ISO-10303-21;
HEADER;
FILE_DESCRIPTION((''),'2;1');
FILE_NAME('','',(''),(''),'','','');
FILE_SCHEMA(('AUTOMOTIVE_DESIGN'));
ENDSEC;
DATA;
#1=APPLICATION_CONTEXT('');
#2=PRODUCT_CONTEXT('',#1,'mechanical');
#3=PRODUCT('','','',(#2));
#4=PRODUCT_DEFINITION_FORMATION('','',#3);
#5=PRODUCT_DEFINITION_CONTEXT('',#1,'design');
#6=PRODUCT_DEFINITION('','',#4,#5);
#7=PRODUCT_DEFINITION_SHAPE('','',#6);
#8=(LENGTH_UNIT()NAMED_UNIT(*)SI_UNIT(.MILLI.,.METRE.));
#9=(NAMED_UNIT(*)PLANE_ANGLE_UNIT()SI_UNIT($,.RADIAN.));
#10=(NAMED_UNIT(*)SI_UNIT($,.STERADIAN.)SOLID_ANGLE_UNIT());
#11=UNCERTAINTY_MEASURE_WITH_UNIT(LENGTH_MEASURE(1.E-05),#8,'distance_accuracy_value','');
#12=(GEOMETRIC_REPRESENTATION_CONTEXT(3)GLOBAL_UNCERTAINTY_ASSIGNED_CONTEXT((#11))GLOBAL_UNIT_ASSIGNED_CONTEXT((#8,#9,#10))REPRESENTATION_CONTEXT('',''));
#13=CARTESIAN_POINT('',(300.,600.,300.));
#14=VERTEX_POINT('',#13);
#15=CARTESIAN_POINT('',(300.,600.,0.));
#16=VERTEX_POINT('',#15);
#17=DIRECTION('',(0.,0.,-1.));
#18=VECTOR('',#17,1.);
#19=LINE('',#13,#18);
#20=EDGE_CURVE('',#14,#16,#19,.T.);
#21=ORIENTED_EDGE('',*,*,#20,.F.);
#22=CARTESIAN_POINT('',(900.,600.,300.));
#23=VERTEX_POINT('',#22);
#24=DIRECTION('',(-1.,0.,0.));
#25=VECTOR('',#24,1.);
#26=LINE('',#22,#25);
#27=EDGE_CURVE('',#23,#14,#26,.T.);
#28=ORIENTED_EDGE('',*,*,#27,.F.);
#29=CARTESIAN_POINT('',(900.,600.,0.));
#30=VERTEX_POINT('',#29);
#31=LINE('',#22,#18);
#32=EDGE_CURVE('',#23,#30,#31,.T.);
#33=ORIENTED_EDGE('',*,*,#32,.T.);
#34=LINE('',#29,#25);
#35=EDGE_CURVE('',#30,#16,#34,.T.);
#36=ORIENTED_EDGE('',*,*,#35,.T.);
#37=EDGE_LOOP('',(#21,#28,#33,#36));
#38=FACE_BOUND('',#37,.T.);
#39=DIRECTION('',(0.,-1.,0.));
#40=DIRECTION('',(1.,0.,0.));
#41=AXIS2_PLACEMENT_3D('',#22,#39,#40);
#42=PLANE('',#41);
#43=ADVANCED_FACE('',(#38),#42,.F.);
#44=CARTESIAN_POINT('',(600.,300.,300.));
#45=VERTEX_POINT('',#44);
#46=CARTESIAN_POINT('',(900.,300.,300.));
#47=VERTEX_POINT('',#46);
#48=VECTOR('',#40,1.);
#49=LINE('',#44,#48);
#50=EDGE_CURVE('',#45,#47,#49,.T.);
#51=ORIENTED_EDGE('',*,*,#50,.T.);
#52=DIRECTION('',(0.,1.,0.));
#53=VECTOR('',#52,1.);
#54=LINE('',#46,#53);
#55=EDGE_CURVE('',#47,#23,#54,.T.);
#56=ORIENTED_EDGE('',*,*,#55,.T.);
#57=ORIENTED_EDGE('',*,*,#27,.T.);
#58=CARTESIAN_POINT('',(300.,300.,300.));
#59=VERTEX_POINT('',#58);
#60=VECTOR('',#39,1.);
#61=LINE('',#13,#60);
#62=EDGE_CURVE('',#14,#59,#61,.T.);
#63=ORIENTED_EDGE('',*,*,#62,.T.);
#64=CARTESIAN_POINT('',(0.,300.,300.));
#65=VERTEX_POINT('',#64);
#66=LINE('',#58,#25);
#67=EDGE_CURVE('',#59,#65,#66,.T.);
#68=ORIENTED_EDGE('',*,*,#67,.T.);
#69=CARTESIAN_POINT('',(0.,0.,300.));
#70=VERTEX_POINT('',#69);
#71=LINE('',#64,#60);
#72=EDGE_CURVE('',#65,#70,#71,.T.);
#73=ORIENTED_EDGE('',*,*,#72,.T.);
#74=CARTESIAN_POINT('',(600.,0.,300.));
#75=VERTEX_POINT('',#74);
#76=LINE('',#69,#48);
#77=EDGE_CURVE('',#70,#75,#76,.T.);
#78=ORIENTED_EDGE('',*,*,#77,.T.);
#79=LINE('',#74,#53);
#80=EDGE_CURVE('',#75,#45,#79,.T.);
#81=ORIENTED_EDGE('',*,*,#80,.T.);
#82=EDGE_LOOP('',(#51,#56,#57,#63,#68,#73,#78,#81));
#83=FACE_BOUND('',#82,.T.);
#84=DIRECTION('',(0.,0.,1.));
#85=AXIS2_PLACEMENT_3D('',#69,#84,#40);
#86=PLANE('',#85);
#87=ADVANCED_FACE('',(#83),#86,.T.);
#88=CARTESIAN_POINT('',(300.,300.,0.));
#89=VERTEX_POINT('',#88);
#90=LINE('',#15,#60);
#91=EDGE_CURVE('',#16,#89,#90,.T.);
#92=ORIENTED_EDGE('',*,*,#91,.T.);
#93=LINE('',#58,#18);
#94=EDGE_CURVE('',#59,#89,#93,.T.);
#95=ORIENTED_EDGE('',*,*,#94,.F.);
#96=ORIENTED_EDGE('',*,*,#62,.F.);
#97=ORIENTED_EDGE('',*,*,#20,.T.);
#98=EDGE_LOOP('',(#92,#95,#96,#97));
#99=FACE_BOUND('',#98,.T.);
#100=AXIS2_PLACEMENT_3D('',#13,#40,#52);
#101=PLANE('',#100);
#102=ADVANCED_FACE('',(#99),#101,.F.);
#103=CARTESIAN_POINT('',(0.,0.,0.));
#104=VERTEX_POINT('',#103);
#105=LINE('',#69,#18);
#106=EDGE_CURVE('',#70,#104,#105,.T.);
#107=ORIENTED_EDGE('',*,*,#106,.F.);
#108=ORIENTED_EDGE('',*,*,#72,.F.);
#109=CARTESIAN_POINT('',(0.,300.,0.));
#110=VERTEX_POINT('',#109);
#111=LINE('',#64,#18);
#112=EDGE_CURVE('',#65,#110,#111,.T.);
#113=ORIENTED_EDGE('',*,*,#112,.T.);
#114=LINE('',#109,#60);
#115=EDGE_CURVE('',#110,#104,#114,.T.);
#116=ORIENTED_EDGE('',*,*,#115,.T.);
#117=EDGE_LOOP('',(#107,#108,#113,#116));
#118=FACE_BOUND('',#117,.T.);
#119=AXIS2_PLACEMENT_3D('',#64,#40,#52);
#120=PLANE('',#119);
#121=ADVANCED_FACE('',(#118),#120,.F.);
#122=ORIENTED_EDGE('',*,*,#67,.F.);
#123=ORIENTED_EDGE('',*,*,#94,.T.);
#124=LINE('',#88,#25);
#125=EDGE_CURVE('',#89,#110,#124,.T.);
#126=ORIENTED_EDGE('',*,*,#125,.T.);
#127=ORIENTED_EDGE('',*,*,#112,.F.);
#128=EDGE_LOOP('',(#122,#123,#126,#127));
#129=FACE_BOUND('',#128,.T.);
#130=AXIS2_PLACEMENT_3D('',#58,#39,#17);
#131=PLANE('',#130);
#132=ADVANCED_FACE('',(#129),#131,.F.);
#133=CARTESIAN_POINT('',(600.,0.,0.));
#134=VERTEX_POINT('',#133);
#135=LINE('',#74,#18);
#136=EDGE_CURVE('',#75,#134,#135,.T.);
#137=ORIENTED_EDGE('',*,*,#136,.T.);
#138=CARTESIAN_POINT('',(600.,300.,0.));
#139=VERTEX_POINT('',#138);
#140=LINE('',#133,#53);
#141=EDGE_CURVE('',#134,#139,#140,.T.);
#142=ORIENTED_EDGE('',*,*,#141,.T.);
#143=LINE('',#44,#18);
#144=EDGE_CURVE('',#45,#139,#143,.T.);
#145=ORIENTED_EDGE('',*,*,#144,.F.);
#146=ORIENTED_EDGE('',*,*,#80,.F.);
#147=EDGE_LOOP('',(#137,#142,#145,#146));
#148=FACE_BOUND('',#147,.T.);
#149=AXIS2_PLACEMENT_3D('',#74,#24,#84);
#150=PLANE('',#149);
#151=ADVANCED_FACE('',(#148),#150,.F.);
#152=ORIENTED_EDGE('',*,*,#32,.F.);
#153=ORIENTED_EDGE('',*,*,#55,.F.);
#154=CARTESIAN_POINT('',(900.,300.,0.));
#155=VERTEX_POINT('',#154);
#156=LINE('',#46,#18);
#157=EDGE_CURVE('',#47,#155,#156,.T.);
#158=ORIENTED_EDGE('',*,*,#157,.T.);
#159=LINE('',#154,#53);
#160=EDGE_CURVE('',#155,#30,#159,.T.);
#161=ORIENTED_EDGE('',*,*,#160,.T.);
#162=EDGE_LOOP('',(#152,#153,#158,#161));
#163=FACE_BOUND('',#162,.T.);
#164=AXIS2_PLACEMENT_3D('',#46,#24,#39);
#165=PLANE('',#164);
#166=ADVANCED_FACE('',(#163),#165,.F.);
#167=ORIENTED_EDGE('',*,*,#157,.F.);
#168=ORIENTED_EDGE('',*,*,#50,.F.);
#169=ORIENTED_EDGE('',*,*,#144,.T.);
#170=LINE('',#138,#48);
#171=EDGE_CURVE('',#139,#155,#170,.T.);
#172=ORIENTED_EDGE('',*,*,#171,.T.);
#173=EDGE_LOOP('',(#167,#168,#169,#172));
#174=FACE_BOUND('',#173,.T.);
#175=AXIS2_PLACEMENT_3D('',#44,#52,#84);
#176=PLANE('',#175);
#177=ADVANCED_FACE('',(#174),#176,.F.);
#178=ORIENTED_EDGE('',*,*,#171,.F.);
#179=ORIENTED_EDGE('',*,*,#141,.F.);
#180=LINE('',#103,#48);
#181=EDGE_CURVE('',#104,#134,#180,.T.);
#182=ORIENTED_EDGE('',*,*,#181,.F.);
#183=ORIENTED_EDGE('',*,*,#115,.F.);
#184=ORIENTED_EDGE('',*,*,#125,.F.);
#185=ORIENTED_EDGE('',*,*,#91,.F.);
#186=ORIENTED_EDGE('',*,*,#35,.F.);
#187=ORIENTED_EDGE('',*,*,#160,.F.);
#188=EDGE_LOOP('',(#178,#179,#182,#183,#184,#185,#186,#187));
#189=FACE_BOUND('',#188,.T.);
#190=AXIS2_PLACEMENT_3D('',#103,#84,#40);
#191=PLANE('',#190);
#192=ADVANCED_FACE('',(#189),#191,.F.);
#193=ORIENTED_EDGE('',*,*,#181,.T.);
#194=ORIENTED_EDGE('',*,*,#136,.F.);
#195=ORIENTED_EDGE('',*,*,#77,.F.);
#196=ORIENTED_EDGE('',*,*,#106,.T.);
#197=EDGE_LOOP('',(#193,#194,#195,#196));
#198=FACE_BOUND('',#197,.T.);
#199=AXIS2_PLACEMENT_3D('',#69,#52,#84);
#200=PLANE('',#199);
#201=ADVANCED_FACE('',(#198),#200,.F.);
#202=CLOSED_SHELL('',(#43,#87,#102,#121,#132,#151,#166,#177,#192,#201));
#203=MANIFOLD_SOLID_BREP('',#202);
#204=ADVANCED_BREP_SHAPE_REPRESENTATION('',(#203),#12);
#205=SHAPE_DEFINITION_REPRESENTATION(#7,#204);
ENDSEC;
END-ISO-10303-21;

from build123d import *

# Parameters (mm, degrees)
BOSS_EXTRU_1_DEPTH = 300


with BuildPart() as part:
    # Esquisse1 → Boss.-Extru.1 (new body)
    with BuildSketch(Plane.XY):
        Polygon((0, 0), (600, 0), (600, 300), (900, 300), (900, 600), (300, 600), (300, 300), (0, 300), align=None)
    extrude(amount=BOSS_EXTRU_1_DEPTH)


solid = part.part
